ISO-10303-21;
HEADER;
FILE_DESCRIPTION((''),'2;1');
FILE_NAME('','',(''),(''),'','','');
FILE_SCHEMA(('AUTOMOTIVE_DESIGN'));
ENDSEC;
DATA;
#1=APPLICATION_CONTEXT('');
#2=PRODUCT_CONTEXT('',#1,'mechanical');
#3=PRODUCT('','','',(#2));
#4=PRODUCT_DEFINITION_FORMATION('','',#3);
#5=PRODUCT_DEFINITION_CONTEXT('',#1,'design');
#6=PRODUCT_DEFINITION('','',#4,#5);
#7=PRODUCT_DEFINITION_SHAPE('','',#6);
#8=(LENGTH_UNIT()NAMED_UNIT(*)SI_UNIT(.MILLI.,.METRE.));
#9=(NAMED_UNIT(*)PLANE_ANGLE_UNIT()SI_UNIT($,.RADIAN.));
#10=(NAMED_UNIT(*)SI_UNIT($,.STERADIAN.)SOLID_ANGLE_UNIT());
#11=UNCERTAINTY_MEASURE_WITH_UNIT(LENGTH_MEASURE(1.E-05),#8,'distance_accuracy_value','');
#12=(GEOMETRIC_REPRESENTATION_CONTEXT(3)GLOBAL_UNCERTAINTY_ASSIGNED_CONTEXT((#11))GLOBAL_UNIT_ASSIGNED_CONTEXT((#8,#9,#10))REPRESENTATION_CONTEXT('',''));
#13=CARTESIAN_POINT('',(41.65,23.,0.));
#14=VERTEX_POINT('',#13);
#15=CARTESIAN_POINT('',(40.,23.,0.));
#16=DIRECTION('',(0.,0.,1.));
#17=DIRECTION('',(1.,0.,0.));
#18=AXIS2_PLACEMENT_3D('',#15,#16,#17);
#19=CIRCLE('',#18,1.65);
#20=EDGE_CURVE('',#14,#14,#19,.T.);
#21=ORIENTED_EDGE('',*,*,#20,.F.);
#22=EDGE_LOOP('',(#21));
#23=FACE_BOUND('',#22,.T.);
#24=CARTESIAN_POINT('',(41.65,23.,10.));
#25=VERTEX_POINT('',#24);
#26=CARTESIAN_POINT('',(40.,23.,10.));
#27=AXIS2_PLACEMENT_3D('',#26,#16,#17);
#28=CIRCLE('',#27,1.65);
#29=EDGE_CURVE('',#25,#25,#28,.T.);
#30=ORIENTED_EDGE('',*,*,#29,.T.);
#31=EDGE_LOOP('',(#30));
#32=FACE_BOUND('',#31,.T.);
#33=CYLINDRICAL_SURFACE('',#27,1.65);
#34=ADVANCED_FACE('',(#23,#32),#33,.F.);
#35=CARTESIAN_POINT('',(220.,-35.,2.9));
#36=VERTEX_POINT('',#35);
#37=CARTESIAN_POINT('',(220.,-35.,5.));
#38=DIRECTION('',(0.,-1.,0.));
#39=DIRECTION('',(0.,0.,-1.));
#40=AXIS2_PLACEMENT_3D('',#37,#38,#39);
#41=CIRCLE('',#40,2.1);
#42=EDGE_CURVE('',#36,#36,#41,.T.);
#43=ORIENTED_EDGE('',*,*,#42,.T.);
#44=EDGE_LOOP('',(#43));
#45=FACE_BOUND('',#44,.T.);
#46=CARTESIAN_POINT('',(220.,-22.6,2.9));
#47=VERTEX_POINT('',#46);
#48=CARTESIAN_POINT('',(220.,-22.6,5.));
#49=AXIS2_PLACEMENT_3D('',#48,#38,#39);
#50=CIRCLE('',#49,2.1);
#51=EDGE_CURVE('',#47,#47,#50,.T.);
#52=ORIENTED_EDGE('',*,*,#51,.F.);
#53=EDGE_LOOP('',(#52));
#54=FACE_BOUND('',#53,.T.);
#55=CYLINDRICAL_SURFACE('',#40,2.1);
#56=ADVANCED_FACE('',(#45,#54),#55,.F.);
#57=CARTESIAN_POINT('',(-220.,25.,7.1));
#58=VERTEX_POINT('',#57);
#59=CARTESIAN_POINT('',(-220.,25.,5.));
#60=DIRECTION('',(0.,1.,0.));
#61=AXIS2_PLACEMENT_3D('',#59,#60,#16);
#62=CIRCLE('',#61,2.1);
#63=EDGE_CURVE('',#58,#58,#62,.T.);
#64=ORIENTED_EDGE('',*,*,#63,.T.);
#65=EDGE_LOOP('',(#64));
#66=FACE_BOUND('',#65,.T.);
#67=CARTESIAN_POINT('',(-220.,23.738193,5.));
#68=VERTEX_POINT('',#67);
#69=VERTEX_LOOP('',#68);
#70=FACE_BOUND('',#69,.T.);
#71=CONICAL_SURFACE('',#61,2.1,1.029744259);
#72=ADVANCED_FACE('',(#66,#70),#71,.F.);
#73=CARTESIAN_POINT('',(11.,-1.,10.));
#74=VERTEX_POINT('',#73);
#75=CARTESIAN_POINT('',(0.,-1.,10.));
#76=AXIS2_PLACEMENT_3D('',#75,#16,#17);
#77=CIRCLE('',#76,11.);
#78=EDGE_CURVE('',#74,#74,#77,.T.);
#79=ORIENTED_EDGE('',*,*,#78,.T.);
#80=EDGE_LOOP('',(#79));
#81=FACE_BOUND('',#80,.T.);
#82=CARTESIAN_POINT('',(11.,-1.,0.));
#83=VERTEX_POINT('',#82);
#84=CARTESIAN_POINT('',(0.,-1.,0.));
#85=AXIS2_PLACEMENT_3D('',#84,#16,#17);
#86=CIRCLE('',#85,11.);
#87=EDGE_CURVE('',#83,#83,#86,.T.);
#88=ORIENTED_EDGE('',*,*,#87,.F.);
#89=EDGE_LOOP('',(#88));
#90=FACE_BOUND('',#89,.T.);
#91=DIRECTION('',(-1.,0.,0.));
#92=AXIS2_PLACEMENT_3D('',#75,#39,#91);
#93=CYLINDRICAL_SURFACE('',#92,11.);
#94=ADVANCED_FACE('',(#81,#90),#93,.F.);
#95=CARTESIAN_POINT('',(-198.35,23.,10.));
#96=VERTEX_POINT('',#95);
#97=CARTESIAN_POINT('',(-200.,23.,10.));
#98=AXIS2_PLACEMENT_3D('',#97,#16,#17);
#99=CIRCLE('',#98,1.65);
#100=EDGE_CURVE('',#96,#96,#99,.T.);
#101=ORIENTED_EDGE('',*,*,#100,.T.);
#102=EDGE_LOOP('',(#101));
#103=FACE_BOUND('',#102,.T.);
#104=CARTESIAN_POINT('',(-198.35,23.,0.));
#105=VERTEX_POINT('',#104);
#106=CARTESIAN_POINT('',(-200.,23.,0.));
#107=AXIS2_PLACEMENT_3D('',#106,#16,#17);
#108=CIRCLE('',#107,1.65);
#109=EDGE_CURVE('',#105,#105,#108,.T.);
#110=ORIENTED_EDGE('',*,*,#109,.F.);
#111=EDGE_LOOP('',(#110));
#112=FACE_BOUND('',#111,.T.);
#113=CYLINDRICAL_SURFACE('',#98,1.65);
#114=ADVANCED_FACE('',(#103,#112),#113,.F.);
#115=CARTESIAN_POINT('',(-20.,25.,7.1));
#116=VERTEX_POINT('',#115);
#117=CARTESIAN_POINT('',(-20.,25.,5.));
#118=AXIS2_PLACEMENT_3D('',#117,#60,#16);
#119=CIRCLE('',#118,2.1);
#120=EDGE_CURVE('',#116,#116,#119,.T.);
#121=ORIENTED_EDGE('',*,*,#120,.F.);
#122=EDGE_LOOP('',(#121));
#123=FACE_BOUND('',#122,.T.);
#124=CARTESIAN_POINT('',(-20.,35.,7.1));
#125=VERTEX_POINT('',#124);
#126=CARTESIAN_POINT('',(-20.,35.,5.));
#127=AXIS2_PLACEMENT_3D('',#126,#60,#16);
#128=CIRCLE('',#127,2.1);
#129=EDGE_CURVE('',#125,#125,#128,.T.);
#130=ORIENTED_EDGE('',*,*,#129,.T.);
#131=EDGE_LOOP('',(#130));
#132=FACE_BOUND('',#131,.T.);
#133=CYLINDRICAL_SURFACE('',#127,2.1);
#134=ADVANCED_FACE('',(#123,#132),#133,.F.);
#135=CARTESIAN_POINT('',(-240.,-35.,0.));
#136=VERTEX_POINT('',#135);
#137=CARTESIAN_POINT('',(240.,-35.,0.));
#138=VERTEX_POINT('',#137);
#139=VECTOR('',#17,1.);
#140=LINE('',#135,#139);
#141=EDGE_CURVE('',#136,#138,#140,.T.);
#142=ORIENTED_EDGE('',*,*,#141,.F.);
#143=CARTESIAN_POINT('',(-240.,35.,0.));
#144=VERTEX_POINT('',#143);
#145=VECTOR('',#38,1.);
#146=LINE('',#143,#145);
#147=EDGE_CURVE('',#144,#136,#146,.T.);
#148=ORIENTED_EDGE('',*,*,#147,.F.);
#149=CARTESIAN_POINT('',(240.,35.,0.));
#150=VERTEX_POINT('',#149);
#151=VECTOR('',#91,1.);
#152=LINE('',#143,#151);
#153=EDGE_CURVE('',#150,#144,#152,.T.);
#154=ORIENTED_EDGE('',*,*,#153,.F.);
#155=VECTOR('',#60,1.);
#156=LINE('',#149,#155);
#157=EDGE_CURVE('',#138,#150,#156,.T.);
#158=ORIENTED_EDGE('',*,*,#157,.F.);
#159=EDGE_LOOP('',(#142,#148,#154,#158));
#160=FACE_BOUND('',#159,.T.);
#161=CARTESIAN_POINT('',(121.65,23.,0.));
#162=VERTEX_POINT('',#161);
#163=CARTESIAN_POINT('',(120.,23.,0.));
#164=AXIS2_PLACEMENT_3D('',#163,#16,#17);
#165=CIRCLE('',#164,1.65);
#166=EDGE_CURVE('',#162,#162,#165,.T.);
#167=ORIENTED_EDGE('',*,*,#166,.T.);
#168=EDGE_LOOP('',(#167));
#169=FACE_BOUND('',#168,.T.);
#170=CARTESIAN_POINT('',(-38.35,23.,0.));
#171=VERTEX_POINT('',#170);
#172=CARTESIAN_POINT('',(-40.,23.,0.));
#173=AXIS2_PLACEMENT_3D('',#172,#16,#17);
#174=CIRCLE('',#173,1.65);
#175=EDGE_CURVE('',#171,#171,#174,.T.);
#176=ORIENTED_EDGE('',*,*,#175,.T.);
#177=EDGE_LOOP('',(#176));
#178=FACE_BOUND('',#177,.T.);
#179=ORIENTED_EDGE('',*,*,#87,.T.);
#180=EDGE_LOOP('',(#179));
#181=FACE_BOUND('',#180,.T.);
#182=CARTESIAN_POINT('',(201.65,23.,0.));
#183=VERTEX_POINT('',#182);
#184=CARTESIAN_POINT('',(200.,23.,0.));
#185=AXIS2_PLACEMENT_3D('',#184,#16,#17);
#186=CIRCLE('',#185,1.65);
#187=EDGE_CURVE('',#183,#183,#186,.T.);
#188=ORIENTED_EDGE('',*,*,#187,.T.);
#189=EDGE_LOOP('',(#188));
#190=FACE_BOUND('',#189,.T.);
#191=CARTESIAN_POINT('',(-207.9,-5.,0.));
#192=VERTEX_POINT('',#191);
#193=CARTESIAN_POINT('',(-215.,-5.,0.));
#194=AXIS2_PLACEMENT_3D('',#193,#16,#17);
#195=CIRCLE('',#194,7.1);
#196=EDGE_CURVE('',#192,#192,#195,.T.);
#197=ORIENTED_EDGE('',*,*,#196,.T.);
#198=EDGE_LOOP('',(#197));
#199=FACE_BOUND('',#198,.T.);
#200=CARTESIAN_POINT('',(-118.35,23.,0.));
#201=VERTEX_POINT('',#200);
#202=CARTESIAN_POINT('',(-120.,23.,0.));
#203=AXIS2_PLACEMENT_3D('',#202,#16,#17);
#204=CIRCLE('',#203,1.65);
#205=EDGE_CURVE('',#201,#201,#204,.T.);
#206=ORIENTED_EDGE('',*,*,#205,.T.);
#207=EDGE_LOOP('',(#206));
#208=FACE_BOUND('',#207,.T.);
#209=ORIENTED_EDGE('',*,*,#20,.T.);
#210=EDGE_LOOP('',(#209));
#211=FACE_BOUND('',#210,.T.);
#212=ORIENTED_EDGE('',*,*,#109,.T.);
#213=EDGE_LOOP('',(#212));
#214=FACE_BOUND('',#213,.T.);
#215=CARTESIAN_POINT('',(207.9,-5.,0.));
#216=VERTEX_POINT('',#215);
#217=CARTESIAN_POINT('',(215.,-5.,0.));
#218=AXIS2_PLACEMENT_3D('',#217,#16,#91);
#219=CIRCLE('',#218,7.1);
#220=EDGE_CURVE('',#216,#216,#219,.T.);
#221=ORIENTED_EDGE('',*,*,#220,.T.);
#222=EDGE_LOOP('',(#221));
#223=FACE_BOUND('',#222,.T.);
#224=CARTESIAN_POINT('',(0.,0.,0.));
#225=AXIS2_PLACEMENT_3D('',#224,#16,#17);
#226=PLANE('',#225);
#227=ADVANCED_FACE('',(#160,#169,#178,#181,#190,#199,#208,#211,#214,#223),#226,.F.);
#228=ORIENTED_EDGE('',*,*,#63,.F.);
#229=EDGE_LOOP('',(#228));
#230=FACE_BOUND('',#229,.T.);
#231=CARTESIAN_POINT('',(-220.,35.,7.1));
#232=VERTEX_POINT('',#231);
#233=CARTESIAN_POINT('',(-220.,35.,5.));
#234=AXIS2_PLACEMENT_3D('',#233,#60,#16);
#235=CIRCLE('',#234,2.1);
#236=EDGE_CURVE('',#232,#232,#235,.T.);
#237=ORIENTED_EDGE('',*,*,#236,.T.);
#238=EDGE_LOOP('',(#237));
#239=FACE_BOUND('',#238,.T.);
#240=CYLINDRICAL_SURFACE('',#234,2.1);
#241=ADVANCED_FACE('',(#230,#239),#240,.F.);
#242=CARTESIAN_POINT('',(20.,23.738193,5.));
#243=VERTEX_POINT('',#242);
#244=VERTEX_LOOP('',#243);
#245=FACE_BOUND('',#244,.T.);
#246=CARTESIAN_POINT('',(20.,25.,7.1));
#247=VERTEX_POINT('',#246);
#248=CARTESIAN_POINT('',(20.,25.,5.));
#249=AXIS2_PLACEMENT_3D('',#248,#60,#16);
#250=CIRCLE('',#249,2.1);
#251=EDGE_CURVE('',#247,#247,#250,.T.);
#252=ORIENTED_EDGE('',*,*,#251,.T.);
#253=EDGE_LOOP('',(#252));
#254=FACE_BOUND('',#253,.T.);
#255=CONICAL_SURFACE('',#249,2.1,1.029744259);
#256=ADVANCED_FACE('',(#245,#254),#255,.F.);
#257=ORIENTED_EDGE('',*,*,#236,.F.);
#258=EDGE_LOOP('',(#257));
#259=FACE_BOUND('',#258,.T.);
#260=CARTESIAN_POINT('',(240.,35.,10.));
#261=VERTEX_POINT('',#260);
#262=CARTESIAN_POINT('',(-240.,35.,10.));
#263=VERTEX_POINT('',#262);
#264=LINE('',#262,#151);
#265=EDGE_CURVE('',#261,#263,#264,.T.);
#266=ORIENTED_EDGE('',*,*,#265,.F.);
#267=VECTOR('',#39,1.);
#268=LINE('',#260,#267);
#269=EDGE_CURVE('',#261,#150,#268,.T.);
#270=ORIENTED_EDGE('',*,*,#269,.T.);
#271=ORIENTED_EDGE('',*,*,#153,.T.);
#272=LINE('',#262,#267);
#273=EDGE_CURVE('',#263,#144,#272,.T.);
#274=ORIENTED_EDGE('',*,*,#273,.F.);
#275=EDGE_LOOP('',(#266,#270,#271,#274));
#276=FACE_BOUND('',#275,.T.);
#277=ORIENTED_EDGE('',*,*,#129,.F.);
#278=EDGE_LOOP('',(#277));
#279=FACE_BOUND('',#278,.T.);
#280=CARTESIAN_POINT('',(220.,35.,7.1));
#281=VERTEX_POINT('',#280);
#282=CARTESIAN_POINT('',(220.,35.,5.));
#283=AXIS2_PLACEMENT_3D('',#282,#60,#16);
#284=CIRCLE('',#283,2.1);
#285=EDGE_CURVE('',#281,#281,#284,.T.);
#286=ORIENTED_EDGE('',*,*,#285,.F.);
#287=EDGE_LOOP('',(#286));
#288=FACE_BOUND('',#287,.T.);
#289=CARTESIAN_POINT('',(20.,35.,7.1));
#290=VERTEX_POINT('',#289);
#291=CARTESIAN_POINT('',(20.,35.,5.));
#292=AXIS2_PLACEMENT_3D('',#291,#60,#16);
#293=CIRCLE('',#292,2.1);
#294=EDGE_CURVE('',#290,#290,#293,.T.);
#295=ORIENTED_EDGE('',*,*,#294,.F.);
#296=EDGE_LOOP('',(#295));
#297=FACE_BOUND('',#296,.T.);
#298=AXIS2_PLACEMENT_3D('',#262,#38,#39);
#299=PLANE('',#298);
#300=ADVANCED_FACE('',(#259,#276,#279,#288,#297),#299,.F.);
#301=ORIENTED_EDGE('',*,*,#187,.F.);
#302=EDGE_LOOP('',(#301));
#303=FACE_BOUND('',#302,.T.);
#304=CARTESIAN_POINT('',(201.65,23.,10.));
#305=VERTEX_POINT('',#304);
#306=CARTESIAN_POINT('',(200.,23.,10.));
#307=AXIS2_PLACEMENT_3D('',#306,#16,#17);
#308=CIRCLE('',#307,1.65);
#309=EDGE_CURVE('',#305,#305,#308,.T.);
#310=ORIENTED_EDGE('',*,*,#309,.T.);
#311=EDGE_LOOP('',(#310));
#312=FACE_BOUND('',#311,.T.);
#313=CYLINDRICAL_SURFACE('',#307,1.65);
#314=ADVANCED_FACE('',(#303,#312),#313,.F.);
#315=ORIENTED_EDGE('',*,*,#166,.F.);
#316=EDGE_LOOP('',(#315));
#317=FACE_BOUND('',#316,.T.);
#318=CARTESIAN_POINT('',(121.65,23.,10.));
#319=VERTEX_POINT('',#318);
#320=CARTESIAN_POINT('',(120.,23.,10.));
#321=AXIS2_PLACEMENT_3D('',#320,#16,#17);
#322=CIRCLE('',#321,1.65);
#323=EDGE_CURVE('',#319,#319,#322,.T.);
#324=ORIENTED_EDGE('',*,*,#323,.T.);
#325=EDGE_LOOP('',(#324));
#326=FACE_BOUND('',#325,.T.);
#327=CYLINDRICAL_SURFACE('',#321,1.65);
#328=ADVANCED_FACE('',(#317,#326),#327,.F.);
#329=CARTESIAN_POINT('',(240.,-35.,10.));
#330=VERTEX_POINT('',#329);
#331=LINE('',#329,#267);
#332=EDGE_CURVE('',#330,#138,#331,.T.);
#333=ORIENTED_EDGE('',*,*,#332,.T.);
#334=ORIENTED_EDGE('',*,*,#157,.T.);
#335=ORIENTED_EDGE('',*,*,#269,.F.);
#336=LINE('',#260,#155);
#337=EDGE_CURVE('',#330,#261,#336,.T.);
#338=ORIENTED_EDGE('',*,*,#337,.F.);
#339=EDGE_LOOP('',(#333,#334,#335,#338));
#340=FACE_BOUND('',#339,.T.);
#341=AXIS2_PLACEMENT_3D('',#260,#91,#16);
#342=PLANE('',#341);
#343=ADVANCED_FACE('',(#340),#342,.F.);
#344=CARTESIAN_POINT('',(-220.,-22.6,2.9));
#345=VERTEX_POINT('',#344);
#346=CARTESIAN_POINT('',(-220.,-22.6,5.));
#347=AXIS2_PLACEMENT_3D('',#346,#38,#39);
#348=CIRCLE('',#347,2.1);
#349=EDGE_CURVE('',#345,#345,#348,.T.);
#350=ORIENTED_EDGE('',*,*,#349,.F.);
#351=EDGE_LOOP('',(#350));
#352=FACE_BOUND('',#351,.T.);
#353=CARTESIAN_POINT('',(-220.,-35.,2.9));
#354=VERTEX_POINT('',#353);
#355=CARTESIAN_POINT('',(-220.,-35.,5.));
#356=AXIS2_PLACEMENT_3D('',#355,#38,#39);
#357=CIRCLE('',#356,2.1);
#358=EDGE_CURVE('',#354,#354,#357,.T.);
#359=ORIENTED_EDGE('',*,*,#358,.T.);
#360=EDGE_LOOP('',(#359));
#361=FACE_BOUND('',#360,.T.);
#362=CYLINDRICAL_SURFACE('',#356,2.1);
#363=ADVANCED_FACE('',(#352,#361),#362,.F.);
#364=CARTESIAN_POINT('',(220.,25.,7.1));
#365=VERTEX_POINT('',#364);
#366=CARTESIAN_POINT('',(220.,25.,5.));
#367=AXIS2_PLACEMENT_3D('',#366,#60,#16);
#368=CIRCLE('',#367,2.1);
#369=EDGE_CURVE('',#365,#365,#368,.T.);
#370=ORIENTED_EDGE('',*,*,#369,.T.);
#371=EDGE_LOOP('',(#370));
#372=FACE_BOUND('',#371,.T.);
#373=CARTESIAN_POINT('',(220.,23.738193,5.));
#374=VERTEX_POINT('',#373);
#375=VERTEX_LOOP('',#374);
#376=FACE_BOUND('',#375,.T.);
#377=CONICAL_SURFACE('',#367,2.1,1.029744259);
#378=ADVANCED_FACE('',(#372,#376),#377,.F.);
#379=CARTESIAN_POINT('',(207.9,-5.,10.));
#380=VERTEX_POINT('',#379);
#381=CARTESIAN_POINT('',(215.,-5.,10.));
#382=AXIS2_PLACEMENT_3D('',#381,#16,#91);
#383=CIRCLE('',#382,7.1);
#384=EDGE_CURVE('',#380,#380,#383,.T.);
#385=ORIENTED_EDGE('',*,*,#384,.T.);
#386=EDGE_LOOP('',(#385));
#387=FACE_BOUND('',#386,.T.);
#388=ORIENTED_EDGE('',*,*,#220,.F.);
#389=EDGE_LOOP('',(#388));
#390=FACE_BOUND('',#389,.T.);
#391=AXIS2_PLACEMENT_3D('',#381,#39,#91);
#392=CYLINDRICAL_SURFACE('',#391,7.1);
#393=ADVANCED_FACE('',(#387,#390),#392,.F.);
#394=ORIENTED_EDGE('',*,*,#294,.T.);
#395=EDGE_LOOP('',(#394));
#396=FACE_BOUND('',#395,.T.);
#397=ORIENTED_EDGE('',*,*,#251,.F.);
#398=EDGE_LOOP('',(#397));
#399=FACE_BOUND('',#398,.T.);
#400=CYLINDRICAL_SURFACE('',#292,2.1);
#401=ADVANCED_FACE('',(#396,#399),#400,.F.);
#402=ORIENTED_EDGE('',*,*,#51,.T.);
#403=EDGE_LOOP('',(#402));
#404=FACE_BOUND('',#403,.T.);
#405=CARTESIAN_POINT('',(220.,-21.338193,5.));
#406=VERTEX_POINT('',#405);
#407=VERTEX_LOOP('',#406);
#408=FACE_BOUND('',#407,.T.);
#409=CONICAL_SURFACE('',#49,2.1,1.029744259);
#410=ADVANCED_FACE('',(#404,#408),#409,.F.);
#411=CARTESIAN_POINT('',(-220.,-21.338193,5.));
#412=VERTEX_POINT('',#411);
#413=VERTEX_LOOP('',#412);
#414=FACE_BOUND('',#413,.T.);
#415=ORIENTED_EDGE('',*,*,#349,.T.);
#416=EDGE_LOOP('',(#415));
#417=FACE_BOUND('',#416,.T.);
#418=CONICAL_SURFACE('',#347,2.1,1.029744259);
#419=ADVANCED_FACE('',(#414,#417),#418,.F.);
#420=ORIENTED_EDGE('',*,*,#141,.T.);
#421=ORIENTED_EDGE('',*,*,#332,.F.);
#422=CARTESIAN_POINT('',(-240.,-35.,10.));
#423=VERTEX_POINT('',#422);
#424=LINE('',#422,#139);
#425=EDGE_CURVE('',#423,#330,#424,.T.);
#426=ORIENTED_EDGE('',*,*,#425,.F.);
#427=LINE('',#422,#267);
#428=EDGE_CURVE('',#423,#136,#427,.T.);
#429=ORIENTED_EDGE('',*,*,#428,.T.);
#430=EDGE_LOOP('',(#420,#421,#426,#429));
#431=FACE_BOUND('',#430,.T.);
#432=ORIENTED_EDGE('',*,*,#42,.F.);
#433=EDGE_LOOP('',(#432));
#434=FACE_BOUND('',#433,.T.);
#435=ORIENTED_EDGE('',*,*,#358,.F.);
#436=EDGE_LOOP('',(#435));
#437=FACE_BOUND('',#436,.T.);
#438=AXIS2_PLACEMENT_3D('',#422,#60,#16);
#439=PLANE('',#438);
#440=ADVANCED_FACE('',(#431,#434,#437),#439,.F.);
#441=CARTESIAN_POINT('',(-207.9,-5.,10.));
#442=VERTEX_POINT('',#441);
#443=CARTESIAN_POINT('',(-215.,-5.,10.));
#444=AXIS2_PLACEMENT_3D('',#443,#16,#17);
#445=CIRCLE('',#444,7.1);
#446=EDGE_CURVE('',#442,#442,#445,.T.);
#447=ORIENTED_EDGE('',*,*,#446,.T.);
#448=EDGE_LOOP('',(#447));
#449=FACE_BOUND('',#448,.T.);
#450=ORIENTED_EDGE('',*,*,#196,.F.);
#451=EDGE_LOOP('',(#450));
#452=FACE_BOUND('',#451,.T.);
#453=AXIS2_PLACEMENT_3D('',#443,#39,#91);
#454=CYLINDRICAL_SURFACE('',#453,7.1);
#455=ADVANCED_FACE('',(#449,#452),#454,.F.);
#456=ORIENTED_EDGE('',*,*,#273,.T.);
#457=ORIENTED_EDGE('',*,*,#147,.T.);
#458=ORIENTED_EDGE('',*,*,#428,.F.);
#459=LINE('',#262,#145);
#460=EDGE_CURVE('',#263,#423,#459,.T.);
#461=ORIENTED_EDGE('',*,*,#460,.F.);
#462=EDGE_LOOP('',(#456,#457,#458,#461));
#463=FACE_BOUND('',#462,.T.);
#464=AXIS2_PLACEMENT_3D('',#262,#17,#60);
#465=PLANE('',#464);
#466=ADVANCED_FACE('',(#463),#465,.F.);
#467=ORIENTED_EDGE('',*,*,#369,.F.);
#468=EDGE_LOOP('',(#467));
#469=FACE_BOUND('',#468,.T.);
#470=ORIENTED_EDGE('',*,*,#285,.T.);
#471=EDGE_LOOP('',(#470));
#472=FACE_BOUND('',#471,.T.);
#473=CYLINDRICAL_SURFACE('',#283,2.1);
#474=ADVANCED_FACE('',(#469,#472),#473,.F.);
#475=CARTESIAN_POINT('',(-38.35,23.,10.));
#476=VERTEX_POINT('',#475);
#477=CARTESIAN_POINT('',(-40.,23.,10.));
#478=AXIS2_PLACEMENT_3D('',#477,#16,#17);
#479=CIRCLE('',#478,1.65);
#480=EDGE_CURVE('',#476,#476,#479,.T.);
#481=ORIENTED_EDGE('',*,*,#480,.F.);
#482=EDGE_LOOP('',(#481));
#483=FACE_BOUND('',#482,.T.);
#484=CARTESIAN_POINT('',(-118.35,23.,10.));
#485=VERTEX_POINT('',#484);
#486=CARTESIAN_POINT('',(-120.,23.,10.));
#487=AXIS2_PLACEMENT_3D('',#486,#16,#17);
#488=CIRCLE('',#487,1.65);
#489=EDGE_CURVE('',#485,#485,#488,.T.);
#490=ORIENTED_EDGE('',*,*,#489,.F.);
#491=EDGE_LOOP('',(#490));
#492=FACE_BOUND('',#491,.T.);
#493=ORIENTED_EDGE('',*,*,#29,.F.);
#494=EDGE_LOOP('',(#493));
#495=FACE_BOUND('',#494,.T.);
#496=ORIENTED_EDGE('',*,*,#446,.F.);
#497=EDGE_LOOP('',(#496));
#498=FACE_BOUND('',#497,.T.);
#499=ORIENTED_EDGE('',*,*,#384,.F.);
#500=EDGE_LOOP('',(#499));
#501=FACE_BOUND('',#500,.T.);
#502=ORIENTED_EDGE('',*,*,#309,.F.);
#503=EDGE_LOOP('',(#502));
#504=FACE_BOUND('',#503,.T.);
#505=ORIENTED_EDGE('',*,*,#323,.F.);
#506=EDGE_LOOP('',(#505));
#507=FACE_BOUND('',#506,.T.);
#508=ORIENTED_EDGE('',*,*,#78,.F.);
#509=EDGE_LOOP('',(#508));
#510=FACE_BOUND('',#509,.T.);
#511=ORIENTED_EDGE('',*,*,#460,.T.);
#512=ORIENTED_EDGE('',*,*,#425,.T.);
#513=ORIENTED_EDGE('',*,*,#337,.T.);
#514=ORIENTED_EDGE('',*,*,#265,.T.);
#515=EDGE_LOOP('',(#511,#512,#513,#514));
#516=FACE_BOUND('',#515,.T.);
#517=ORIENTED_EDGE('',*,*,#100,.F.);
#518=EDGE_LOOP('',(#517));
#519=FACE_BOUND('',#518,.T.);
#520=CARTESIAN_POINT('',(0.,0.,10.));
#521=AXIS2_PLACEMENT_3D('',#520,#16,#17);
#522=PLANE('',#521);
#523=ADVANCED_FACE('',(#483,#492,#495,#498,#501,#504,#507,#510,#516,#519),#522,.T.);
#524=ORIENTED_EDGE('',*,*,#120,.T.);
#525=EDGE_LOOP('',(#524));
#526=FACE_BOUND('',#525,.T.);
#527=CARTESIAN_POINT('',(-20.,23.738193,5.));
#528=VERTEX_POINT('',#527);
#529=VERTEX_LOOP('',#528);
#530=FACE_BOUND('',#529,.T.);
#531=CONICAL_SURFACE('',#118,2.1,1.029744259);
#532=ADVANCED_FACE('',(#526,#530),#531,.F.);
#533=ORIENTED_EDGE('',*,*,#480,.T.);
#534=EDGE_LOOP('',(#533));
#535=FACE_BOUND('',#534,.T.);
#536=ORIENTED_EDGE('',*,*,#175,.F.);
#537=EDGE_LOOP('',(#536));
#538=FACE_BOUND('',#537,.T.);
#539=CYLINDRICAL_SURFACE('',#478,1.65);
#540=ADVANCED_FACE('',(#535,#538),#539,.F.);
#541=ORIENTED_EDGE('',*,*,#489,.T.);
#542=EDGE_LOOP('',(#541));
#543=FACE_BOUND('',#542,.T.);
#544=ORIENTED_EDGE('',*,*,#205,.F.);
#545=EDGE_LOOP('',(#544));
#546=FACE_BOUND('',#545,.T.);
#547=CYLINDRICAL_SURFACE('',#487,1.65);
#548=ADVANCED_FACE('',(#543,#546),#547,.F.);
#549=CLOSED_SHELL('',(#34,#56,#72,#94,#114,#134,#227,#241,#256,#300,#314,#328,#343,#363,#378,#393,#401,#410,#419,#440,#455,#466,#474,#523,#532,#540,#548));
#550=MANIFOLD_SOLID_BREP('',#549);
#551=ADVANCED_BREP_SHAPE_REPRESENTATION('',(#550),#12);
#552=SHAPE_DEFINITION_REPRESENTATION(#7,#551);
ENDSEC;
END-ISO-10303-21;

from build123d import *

# Parameters (mm, degrees)
SKETCH1_W                  = 480
SKETCH1_H                  = 70
SKETCH1_R                  = 11
SKETCH1_R_2                = 7.1
BOSS_EXTRUDE1_DEPTH        = 10
M5_TAPPED_HOLE1_D          = 4.2
M5_TAPPED_HOLE1_DEPTH      = 10
M5_TAPPED_HOLE1_TIP        = 1.2618073
M5_TAPPED_HOLE2_D          = 4.2
M5_TAPPED_HOLE2_DEPTH      = 12.4
M5_TAPPED_HOLE2_TIP        = 1.2618073
F_3_3_3_3_DIAMETER_HOLE1_D = 3.3


with BuildPart() as part:
    # Sketch1 → Boss-Extrude1 (new body)
    with BuildSketch(Plane.XY):
        Rectangle(SKETCH1_W, SKETCH1_H)
        with Locations((0, -1)):
            Circle(SKETCH1_R, mode=Mode.SUBTRACT)
        with Locations((-215, -5)):
            Circle(SKETCH1_R_2, mode=Mode.SUBTRACT)
        with Locations((215, -5)):
            Circle(SKETCH1_R_2, mode=Mode.SUBTRACT)
    extrude(amount=BOSS_EXTRUDE1_DEPTH)

    # M5 Tapped Hole1
    with Locations(Plane(origin=(0, 35, 0), x_dir=(1, 0, 0), z_dir=(0, 1, 0))):
        with Locations((220, -5), (-220, -5), (-20, -5), (20, -5)):
            Hole(M5_TAPPED_HOLE1_D / 2, depth=M5_TAPPED_HOLE1_DEPTH)
            with Locations((0, 0, -(M5_TAPPED_HOLE1_DEPTH + M5_TAPPED_HOLE1_TIP / 2))):  # 118° drill point
                Cone(0, M5_TAPPED_HOLE1_D / 2, M5_TAPPED_HOLE1_TIP, mode=Mode.SUBTRACT)

    # M5 Tapped Hole2
    with Locations(Plane(origin=(0, -35, 0), x_dir=(-1, 0, 0), z_dir=(0, -1, 0))):
        with Locations((-220, -5), (220, -5)):
            Hole(M5_TAPPED_HOLE2_D / 2, depth=M5_TAPPED_HOLE2_DEPTH)
            with Locations((0, 0, -(M5_TAPPED_HOLE2_DEPTH + M5_TAPPED_HOLE2_TIP / 2))):  # 118° drill point
                Cone(0, M5_TAPPED_HOLE2_D / 2, M5_TAPPED_HOLE2_TIP, mode=Mode.SUBTRACT)

    # Ø3.3 (3.3) Diameter Hole1 (through all)
    with Locations(Plane.XY.offset(10)):
        with Locations((-200, 23), (-120, 23), (-40, 23), (40, 23), (120, 23), (200, 23)):
            Hole(F_3_3_3_3_DIAMETER_HOLE1_D / 2)


solid = part.part
